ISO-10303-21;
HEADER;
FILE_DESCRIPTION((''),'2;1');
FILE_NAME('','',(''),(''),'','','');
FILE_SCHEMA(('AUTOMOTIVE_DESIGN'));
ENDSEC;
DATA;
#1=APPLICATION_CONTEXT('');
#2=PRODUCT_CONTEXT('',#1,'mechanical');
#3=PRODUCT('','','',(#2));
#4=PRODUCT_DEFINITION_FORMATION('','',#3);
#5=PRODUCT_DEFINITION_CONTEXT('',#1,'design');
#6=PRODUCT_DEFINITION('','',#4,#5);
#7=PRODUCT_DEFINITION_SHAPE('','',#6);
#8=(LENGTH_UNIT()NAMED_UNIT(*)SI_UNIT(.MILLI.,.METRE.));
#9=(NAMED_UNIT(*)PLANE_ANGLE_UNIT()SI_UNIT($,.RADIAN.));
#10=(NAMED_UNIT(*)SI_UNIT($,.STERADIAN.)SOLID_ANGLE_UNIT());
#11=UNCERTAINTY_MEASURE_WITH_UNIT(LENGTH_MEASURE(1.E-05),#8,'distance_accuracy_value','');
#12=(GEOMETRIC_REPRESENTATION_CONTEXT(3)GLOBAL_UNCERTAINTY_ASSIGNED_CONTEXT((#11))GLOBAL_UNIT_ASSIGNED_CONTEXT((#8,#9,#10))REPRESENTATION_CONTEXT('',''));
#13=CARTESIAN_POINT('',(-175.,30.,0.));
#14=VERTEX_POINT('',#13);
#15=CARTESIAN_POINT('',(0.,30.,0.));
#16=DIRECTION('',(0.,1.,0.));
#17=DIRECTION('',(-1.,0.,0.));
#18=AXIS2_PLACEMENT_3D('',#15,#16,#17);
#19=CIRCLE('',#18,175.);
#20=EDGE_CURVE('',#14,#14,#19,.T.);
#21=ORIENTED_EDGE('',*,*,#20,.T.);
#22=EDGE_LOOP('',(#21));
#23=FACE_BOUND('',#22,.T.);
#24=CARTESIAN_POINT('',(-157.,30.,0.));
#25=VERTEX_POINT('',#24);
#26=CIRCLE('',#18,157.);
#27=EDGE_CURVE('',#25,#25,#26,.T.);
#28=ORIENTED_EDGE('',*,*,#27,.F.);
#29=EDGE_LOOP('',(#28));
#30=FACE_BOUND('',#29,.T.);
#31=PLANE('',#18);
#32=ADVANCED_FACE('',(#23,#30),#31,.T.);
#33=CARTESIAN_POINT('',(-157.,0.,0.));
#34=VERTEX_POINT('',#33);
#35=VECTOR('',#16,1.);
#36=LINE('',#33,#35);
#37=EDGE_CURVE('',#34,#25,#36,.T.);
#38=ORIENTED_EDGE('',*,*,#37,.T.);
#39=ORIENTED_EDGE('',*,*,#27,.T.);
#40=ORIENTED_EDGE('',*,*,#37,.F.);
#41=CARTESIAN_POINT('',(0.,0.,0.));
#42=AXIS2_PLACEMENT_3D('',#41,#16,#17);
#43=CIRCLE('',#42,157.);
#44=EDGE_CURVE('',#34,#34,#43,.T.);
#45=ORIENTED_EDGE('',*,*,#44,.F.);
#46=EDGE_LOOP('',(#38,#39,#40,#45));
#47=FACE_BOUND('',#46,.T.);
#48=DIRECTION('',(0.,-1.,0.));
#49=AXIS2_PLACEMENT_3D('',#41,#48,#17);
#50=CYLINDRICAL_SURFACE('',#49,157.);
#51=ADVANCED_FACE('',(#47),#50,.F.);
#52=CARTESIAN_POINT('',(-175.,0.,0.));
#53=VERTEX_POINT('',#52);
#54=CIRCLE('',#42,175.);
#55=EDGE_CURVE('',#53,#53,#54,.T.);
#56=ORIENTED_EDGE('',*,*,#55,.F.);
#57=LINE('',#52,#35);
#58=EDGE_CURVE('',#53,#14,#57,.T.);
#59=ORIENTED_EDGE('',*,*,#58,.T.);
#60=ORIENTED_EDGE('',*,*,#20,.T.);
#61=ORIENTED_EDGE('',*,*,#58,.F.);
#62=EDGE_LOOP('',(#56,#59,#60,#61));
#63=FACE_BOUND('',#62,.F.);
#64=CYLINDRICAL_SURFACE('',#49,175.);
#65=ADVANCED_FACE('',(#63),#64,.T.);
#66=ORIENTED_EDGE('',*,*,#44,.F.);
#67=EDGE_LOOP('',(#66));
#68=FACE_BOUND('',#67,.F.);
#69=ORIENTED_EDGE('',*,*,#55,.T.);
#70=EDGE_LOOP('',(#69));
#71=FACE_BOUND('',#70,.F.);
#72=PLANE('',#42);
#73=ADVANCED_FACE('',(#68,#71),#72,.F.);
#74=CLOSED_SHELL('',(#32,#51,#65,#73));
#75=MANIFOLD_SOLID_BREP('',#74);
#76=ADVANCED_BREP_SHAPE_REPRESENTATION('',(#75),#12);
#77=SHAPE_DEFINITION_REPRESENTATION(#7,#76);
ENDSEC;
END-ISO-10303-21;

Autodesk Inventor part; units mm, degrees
ref_plane "YZ Plane" through (0, 0, 0) normal (1, 0, 0) x (0, 1, 0)
ref_plane "XZ Plane" through (0, 0, 0) normal (0, 1, 0) x (-1, 0, 0)
ref_plane "XY Plane" through (0, 0, 0) normal (0, 0, 1) x (1, 0, 0)
sketch "Эскиз1" plane through (0, 0, 0) normal (0, 1, 0) x (-1, 0, 0)
  circle A0 centre (0, 0) radius 157
  circle A1 centre (0, 0) radius 175
  dimension "d0" = 314
  dimension "d1" = 350
extrude "Выдавливание1" add sketch "Эскиз1" along normal blind 30
properties part number "assemble_ver4_thick"
